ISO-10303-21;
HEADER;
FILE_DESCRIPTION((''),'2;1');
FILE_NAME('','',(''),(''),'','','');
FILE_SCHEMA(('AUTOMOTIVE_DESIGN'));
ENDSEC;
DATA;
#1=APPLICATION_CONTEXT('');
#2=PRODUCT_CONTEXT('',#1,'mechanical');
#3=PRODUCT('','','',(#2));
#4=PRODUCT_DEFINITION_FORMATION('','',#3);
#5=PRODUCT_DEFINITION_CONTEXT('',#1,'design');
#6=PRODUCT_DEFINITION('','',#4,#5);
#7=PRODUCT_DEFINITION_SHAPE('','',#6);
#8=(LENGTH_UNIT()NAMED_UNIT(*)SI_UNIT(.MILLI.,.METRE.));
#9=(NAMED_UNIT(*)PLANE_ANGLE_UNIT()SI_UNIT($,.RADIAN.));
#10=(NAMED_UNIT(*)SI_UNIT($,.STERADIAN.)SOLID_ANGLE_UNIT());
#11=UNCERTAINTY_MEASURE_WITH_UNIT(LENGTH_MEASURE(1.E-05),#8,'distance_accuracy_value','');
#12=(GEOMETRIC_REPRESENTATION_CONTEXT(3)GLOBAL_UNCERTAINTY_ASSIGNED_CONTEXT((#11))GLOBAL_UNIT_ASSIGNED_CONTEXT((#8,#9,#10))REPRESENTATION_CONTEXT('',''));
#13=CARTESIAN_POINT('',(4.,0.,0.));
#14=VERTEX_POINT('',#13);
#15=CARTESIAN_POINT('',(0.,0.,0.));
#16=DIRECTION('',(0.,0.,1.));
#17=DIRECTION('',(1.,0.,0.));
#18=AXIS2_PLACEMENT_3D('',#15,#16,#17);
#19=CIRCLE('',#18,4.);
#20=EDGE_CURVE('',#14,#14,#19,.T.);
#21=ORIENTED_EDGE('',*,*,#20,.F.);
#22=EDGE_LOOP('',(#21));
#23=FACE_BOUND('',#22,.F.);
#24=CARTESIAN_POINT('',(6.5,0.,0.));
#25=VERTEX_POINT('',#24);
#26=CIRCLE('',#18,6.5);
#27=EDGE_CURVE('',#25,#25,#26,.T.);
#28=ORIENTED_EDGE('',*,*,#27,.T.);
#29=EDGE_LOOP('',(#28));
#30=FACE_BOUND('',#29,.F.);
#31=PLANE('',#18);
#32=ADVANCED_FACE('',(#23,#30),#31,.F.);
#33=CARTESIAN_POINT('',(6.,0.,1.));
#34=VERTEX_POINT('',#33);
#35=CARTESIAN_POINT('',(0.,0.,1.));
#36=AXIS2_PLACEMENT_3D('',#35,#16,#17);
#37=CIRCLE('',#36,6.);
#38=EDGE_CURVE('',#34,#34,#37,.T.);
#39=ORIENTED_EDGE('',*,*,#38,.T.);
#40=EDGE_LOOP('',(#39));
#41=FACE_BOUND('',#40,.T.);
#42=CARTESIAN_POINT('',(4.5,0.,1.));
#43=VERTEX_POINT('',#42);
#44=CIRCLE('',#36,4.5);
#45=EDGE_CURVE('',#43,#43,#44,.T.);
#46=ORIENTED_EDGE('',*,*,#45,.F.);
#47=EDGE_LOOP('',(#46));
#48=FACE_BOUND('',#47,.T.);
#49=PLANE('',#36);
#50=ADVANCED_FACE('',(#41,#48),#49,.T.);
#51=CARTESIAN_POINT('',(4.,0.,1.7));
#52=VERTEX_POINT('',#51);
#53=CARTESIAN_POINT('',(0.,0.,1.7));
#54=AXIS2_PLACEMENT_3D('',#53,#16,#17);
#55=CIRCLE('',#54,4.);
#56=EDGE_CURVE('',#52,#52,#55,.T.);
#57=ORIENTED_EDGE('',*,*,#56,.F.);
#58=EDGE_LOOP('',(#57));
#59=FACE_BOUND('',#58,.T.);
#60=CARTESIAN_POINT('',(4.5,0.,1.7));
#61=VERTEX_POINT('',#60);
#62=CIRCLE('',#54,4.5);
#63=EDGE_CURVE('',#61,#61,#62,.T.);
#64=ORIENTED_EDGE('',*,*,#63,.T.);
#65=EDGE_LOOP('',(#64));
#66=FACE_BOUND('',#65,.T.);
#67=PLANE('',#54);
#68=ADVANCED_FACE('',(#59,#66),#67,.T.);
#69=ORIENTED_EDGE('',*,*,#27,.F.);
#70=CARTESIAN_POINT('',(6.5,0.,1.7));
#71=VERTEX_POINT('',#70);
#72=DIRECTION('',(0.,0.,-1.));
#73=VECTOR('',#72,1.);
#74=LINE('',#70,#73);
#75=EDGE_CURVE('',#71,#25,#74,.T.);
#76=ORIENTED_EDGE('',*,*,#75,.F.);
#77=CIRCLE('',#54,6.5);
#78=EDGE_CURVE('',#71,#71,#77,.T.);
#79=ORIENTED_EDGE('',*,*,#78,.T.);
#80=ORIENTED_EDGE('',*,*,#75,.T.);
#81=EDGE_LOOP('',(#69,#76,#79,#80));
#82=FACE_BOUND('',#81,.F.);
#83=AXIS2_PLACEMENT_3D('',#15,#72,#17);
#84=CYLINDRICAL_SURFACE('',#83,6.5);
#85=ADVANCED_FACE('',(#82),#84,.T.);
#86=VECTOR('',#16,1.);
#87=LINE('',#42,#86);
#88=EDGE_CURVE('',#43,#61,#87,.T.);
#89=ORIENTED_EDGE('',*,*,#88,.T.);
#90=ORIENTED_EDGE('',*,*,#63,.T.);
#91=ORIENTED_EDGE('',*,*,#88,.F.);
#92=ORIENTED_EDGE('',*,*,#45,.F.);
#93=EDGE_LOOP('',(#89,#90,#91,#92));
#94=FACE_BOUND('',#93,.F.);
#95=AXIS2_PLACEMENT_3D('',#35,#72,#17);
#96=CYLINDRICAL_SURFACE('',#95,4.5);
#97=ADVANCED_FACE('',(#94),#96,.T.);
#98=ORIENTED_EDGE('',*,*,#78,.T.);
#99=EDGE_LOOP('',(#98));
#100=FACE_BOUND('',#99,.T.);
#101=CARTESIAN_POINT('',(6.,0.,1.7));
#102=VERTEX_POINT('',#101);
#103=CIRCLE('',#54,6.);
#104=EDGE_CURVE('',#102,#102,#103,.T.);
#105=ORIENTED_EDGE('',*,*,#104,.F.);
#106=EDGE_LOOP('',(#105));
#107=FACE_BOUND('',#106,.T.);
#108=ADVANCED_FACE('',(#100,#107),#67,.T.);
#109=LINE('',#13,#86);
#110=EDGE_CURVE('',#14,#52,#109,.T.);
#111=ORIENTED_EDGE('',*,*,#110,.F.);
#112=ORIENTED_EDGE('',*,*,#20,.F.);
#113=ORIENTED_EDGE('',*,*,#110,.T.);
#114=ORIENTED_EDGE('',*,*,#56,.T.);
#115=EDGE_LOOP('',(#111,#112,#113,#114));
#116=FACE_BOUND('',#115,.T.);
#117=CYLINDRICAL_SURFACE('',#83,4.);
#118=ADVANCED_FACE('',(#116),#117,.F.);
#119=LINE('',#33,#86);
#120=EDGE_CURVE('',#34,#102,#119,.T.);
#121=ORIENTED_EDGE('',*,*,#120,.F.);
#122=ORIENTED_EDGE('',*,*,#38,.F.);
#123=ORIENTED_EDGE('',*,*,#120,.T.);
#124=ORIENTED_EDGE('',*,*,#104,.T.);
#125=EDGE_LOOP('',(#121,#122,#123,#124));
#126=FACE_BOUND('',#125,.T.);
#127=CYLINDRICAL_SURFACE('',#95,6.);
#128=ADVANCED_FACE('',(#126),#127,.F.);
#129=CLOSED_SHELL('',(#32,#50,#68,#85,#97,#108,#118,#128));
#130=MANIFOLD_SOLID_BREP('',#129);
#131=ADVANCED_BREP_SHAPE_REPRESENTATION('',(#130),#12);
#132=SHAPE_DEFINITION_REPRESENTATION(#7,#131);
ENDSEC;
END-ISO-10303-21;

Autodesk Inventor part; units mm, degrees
ref_plane "YZ Plane" through (0, 0, 0) normal (1, 0, 0) x (0, 1, 0)
ref_plane "XZ Plane" through (0, 0, 0) normal (0, 1, 0) x (-1, 0, 0)
ref_plane "XY Plane" through (0, 0, 0) normal (0, 0, 1) x (1, 0, 0)
sketch "Эскиз1" plane through (0, 0, 0) normal (0, 0, 1) x (1, 0, 0)
  circle A0 centre (0, 0) radius 4 projected
  circle A1 centre (0, 0) radius 6.5 projected
extrude "Выдавливание1" add sketch "Эскиз1" along normal blind 1
sketch "Эскиз2" plane through (0, 0, 1) normal (0, 0, 1) x (1, 0, 0)
  circle A0 centre (0, 0) radius 4 projected
  circle A1 centre (0, 0) radius 6.5 projected
  circle A2 centre (0, 0) radius 6
  circle A3 centre (0, 0) radius 4.5
  dimension "d2" = 12
  dimension "d3" = 9
extrude "Выдавливание2" add sketch "Эскиз2" along normal blind 0.7
properties part number "Cap"
